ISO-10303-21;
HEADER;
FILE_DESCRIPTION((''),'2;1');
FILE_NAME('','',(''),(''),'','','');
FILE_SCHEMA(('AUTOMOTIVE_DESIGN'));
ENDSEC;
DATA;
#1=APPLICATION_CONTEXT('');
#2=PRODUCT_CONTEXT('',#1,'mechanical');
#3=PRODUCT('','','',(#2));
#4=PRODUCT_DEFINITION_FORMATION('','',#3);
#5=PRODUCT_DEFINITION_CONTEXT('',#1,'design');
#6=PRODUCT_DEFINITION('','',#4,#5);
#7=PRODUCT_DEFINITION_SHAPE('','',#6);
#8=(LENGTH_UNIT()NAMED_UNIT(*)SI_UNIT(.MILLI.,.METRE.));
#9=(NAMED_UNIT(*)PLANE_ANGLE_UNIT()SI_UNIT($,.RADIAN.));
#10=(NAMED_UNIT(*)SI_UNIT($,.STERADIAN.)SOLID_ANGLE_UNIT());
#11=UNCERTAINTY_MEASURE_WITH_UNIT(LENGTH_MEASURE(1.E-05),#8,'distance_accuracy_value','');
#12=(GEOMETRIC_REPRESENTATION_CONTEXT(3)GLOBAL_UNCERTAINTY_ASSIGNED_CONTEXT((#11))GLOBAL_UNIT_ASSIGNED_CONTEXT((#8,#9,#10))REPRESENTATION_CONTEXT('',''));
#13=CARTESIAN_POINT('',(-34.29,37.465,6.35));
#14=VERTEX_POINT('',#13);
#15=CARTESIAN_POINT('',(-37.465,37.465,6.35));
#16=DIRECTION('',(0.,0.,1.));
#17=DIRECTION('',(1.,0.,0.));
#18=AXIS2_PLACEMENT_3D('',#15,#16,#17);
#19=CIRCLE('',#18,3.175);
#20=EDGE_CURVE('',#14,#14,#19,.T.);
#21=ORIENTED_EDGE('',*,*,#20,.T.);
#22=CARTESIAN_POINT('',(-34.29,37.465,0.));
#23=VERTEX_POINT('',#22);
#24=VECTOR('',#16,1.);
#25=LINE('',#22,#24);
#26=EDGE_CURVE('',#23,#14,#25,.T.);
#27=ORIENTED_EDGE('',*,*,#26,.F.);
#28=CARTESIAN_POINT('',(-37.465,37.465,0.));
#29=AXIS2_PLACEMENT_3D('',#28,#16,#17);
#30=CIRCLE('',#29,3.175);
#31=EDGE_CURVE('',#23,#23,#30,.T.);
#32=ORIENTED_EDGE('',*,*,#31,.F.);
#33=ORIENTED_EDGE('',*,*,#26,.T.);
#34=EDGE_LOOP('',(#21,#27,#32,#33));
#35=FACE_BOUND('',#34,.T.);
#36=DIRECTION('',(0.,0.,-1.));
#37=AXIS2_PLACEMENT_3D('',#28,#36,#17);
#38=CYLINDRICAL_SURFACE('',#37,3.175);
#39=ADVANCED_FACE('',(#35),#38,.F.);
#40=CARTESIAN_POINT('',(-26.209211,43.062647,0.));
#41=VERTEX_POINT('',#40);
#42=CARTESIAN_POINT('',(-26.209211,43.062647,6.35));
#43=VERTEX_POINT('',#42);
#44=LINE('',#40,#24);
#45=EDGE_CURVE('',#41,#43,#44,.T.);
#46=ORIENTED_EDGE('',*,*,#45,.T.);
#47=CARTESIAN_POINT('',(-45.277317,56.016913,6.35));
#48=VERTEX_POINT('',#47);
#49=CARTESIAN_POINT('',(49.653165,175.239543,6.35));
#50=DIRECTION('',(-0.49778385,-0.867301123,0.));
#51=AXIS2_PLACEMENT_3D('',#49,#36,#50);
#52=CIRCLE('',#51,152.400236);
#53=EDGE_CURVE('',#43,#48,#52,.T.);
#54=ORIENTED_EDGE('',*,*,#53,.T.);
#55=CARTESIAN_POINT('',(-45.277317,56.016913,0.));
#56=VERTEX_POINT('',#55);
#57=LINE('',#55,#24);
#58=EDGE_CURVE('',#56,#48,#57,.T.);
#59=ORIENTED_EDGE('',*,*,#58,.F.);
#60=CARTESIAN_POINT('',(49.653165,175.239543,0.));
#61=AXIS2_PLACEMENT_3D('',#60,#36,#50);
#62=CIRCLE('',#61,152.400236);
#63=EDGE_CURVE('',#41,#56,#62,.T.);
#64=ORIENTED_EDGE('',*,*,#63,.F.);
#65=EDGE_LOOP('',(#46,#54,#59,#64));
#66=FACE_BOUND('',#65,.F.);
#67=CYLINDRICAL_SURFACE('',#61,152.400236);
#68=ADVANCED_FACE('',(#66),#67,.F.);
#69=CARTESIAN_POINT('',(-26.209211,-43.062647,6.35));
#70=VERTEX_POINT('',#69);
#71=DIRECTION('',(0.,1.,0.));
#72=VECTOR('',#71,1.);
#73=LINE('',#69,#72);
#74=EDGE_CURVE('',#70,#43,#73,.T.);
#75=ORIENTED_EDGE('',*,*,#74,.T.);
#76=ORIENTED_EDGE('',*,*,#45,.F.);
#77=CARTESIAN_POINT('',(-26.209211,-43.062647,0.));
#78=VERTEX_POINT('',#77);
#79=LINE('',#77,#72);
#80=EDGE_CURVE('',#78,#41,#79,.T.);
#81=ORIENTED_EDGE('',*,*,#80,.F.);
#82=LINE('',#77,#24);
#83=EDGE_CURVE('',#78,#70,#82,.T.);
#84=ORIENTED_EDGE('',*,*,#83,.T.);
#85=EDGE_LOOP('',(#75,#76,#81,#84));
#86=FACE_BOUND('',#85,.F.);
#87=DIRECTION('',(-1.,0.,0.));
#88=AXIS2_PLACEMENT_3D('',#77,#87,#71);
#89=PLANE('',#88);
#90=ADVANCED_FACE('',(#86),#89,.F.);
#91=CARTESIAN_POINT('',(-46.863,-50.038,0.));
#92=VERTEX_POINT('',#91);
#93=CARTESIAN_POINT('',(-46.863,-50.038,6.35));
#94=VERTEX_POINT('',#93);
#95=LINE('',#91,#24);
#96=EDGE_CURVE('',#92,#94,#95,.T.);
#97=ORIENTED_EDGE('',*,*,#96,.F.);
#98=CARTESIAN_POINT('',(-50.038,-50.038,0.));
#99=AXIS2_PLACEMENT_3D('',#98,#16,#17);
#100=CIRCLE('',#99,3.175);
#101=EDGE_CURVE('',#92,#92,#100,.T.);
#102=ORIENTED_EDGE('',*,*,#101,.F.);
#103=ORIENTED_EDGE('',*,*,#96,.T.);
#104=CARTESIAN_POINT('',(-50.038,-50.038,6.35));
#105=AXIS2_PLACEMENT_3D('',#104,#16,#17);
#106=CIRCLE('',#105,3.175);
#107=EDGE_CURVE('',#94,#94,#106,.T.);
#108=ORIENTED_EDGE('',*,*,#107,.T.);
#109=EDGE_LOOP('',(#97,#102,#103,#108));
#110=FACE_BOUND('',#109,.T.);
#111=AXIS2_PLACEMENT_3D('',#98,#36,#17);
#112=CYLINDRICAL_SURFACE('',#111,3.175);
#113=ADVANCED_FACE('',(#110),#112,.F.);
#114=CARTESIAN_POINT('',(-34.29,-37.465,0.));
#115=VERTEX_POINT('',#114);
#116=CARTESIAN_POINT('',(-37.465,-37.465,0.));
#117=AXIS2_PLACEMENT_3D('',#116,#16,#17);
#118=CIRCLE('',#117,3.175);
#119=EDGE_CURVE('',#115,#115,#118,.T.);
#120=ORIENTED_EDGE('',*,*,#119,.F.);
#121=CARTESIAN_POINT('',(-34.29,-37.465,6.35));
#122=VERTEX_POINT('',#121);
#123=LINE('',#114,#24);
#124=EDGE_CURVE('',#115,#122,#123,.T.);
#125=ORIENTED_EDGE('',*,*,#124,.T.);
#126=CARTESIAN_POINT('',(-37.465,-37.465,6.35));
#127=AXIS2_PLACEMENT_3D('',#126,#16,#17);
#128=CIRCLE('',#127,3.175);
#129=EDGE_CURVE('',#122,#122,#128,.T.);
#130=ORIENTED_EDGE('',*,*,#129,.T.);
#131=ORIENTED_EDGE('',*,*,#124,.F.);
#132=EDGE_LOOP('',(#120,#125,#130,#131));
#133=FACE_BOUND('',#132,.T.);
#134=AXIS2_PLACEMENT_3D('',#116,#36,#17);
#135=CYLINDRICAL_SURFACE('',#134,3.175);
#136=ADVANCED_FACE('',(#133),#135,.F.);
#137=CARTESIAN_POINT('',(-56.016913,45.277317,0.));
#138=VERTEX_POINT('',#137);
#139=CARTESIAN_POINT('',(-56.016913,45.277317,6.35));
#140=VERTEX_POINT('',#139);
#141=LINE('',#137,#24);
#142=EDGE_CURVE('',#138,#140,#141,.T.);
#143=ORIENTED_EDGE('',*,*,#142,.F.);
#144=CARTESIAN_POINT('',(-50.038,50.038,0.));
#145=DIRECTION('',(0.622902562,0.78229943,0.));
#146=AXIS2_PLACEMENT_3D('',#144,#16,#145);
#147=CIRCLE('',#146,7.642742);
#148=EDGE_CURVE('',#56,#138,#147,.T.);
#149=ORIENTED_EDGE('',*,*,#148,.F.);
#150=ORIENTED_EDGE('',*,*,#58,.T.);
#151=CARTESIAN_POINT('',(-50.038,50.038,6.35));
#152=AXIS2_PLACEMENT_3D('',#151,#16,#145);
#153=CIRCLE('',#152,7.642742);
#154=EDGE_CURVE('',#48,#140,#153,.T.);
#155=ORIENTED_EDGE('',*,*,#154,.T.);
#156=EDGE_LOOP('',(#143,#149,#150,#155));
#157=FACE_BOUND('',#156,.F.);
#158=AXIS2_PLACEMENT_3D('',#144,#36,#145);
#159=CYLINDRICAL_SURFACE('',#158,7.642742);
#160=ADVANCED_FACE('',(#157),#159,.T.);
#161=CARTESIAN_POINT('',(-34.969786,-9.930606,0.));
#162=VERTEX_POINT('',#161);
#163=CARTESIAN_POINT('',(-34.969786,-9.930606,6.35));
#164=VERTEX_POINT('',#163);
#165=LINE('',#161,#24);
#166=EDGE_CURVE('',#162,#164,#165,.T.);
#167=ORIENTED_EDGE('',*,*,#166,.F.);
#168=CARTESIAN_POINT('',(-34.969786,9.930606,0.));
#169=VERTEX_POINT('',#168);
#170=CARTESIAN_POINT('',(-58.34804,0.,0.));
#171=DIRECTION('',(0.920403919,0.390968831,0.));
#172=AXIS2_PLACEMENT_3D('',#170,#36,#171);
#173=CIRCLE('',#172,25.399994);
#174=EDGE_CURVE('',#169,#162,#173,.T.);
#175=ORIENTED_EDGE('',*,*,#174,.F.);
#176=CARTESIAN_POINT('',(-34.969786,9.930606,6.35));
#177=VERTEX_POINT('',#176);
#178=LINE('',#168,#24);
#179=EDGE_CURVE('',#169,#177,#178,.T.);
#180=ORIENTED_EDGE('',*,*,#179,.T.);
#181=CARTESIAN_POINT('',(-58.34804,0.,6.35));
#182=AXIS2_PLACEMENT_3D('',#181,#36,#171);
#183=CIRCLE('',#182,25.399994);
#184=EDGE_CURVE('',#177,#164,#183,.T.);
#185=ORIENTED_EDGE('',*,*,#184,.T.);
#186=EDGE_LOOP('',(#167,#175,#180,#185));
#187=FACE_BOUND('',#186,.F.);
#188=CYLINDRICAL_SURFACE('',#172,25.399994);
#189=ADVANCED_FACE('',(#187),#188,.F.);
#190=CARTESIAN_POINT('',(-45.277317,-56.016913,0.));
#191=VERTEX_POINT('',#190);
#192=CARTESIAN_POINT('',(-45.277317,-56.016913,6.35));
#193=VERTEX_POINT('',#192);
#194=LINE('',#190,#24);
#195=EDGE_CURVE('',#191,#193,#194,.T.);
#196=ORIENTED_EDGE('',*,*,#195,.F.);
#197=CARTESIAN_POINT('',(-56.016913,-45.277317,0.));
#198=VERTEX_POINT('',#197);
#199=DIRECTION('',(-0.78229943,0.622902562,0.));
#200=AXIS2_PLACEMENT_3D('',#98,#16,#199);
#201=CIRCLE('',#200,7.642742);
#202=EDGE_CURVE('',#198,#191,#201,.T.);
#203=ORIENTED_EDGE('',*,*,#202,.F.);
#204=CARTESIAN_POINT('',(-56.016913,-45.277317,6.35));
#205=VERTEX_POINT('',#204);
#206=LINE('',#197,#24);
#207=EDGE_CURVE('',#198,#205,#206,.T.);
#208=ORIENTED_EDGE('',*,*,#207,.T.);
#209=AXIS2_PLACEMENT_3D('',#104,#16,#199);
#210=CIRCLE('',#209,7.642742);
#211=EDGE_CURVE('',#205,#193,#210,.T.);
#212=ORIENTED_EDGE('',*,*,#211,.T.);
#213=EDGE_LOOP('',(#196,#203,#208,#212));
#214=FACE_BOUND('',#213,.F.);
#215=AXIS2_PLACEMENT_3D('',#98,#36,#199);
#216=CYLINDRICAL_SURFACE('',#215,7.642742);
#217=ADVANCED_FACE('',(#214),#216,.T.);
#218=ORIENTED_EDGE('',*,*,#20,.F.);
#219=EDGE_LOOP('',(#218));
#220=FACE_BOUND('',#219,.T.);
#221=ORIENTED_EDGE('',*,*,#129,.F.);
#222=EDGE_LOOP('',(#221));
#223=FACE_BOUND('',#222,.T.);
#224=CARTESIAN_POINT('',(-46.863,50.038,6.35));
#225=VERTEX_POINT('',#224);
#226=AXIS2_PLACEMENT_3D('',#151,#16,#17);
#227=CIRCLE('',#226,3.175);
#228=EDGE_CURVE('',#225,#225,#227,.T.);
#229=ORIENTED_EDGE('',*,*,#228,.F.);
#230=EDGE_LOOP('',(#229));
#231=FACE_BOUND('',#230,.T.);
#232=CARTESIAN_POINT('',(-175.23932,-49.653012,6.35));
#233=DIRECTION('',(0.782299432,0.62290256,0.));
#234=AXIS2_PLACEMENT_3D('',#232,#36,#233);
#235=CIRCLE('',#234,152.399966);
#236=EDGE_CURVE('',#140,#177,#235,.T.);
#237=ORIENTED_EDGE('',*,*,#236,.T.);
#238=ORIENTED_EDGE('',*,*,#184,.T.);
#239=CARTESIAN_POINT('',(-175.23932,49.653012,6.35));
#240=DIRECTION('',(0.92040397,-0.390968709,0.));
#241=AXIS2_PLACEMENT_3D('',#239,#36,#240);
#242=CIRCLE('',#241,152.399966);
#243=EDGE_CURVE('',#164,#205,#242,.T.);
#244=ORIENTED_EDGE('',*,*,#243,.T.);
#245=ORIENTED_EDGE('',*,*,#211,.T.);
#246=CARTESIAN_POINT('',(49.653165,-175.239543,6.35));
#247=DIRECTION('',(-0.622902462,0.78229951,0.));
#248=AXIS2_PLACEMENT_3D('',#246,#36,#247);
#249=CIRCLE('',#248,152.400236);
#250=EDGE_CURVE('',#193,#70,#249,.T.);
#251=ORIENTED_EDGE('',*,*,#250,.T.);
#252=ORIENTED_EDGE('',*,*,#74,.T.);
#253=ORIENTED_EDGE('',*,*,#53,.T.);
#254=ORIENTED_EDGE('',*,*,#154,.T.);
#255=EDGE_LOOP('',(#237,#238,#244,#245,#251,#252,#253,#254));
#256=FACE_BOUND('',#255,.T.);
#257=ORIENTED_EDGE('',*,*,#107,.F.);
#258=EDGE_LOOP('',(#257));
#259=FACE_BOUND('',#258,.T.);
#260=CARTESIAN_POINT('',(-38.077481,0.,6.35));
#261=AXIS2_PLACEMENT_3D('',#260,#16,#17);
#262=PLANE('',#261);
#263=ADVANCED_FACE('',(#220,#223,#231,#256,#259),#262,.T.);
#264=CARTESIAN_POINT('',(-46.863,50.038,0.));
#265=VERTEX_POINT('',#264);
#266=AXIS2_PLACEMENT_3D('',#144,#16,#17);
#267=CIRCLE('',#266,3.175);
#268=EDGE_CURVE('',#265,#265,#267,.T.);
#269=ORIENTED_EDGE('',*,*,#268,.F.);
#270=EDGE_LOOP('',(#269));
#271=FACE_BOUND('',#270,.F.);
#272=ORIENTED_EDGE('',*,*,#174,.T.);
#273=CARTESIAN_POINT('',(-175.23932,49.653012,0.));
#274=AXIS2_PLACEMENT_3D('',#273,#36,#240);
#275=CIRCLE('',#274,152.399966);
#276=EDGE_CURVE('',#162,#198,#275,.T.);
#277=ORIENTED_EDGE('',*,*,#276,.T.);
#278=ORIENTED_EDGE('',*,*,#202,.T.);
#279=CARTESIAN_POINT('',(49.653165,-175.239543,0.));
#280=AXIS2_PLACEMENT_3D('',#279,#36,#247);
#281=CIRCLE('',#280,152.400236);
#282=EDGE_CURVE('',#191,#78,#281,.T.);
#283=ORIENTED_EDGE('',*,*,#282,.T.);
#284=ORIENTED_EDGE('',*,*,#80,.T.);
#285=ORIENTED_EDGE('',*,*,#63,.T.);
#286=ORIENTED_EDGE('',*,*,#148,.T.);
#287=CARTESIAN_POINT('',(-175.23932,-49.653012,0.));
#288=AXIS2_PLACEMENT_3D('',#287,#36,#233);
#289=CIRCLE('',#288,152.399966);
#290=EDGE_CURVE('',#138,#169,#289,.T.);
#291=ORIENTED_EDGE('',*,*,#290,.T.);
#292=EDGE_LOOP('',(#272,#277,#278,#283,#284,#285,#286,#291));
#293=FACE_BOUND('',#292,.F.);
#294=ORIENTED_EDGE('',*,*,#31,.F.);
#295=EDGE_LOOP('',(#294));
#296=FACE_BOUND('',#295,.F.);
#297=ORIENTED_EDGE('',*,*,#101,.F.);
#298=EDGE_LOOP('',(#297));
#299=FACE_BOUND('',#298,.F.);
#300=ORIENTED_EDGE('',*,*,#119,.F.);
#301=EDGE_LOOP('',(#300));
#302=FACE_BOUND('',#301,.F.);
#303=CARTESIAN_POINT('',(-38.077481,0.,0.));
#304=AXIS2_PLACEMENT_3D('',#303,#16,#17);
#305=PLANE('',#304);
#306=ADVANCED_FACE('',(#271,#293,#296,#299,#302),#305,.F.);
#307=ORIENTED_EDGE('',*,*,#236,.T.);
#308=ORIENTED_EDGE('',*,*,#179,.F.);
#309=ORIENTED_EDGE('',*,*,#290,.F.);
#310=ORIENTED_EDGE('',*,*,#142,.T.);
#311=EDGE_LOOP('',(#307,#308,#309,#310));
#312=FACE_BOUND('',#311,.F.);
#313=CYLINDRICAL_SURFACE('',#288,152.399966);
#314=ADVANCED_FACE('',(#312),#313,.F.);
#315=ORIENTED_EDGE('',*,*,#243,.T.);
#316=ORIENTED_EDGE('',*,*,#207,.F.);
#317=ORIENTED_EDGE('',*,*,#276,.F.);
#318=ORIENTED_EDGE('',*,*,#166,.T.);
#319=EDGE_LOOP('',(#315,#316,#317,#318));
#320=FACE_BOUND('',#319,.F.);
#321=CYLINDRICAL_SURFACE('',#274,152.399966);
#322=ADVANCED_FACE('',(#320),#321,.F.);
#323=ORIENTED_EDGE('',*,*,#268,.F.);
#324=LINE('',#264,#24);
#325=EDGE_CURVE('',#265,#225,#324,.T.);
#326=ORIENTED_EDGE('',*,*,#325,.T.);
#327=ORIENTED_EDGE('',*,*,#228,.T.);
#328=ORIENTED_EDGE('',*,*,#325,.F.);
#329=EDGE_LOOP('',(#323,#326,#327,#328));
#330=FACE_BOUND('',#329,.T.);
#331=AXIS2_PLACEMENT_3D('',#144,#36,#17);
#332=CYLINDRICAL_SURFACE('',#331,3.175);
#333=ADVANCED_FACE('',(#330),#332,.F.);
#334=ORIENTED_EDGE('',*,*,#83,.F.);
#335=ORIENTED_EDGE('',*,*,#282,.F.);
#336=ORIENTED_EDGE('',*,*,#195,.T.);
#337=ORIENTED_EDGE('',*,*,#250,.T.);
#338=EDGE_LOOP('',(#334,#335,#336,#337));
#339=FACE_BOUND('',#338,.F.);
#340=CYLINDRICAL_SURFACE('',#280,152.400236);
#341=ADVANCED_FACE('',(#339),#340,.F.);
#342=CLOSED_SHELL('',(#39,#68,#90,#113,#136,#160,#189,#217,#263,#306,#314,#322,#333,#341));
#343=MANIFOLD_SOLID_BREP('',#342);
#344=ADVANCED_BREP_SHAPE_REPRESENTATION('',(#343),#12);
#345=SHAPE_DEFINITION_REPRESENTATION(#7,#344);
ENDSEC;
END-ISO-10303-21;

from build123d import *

# Parameters (mm, degrees)
F0_R     = 3.175
F1_DEPTH = 6.35


with BuildPart() as f1:
    # F0 (on Top) → F1 (new body)
    with BuildSketch(Plane.XY):
        with BuildLine():
            ThreePointArc((-26.209211, 43.062647), (-35.98855, 49.17873), (-45.277317, 56.016913))
            ThreePointArc((-45.277317, 56.016913), (-55.442235, 55.442235), (-56.016913, 45.277317))
            ThreePointArc((-56.016913, 45.277317), (-44.295193, 28.317401), (-34.969786, 9.930606))
            ThreePointArc((-34.969786, 9.930606), (-32.948046, 0), (-34.969786, -9.930606))
            ThreePointArc((-34.969786, -9.930606), (-44.295193, -28.317401), (-56.016913, -45.277317))
            ThreePointArc((-56.016913, -45.277317), (-55.442235, -55.442235), (-45.277317, -56.016913))
            ThreePointArc((-45.277317, -56.016913), (-35.98855, -49.17873), (-26.209211, -43.062647))
            Line((-26.209211, -43.062647), (-26.209211, 43.062647))
        make_face()
        with Locations((-50.038, -50.038)):
            Circle(F0_R, mode=Mode.SUBTRACT)
        with Locations((-37.465, -37.465)):
            Circle(F0_R, mode=Mode.SUBTRACT)
        with Locations((-37.465, 37.465)):
            Circle(F0_R, mode=Mode.SUBTRACT)
        with Locations((-50.038, 50.038)):
            Circle(F0_R, mode=Mode.SUBTRACT)
    extrude(amount=F1_DEPTH)


solid = f1.part
